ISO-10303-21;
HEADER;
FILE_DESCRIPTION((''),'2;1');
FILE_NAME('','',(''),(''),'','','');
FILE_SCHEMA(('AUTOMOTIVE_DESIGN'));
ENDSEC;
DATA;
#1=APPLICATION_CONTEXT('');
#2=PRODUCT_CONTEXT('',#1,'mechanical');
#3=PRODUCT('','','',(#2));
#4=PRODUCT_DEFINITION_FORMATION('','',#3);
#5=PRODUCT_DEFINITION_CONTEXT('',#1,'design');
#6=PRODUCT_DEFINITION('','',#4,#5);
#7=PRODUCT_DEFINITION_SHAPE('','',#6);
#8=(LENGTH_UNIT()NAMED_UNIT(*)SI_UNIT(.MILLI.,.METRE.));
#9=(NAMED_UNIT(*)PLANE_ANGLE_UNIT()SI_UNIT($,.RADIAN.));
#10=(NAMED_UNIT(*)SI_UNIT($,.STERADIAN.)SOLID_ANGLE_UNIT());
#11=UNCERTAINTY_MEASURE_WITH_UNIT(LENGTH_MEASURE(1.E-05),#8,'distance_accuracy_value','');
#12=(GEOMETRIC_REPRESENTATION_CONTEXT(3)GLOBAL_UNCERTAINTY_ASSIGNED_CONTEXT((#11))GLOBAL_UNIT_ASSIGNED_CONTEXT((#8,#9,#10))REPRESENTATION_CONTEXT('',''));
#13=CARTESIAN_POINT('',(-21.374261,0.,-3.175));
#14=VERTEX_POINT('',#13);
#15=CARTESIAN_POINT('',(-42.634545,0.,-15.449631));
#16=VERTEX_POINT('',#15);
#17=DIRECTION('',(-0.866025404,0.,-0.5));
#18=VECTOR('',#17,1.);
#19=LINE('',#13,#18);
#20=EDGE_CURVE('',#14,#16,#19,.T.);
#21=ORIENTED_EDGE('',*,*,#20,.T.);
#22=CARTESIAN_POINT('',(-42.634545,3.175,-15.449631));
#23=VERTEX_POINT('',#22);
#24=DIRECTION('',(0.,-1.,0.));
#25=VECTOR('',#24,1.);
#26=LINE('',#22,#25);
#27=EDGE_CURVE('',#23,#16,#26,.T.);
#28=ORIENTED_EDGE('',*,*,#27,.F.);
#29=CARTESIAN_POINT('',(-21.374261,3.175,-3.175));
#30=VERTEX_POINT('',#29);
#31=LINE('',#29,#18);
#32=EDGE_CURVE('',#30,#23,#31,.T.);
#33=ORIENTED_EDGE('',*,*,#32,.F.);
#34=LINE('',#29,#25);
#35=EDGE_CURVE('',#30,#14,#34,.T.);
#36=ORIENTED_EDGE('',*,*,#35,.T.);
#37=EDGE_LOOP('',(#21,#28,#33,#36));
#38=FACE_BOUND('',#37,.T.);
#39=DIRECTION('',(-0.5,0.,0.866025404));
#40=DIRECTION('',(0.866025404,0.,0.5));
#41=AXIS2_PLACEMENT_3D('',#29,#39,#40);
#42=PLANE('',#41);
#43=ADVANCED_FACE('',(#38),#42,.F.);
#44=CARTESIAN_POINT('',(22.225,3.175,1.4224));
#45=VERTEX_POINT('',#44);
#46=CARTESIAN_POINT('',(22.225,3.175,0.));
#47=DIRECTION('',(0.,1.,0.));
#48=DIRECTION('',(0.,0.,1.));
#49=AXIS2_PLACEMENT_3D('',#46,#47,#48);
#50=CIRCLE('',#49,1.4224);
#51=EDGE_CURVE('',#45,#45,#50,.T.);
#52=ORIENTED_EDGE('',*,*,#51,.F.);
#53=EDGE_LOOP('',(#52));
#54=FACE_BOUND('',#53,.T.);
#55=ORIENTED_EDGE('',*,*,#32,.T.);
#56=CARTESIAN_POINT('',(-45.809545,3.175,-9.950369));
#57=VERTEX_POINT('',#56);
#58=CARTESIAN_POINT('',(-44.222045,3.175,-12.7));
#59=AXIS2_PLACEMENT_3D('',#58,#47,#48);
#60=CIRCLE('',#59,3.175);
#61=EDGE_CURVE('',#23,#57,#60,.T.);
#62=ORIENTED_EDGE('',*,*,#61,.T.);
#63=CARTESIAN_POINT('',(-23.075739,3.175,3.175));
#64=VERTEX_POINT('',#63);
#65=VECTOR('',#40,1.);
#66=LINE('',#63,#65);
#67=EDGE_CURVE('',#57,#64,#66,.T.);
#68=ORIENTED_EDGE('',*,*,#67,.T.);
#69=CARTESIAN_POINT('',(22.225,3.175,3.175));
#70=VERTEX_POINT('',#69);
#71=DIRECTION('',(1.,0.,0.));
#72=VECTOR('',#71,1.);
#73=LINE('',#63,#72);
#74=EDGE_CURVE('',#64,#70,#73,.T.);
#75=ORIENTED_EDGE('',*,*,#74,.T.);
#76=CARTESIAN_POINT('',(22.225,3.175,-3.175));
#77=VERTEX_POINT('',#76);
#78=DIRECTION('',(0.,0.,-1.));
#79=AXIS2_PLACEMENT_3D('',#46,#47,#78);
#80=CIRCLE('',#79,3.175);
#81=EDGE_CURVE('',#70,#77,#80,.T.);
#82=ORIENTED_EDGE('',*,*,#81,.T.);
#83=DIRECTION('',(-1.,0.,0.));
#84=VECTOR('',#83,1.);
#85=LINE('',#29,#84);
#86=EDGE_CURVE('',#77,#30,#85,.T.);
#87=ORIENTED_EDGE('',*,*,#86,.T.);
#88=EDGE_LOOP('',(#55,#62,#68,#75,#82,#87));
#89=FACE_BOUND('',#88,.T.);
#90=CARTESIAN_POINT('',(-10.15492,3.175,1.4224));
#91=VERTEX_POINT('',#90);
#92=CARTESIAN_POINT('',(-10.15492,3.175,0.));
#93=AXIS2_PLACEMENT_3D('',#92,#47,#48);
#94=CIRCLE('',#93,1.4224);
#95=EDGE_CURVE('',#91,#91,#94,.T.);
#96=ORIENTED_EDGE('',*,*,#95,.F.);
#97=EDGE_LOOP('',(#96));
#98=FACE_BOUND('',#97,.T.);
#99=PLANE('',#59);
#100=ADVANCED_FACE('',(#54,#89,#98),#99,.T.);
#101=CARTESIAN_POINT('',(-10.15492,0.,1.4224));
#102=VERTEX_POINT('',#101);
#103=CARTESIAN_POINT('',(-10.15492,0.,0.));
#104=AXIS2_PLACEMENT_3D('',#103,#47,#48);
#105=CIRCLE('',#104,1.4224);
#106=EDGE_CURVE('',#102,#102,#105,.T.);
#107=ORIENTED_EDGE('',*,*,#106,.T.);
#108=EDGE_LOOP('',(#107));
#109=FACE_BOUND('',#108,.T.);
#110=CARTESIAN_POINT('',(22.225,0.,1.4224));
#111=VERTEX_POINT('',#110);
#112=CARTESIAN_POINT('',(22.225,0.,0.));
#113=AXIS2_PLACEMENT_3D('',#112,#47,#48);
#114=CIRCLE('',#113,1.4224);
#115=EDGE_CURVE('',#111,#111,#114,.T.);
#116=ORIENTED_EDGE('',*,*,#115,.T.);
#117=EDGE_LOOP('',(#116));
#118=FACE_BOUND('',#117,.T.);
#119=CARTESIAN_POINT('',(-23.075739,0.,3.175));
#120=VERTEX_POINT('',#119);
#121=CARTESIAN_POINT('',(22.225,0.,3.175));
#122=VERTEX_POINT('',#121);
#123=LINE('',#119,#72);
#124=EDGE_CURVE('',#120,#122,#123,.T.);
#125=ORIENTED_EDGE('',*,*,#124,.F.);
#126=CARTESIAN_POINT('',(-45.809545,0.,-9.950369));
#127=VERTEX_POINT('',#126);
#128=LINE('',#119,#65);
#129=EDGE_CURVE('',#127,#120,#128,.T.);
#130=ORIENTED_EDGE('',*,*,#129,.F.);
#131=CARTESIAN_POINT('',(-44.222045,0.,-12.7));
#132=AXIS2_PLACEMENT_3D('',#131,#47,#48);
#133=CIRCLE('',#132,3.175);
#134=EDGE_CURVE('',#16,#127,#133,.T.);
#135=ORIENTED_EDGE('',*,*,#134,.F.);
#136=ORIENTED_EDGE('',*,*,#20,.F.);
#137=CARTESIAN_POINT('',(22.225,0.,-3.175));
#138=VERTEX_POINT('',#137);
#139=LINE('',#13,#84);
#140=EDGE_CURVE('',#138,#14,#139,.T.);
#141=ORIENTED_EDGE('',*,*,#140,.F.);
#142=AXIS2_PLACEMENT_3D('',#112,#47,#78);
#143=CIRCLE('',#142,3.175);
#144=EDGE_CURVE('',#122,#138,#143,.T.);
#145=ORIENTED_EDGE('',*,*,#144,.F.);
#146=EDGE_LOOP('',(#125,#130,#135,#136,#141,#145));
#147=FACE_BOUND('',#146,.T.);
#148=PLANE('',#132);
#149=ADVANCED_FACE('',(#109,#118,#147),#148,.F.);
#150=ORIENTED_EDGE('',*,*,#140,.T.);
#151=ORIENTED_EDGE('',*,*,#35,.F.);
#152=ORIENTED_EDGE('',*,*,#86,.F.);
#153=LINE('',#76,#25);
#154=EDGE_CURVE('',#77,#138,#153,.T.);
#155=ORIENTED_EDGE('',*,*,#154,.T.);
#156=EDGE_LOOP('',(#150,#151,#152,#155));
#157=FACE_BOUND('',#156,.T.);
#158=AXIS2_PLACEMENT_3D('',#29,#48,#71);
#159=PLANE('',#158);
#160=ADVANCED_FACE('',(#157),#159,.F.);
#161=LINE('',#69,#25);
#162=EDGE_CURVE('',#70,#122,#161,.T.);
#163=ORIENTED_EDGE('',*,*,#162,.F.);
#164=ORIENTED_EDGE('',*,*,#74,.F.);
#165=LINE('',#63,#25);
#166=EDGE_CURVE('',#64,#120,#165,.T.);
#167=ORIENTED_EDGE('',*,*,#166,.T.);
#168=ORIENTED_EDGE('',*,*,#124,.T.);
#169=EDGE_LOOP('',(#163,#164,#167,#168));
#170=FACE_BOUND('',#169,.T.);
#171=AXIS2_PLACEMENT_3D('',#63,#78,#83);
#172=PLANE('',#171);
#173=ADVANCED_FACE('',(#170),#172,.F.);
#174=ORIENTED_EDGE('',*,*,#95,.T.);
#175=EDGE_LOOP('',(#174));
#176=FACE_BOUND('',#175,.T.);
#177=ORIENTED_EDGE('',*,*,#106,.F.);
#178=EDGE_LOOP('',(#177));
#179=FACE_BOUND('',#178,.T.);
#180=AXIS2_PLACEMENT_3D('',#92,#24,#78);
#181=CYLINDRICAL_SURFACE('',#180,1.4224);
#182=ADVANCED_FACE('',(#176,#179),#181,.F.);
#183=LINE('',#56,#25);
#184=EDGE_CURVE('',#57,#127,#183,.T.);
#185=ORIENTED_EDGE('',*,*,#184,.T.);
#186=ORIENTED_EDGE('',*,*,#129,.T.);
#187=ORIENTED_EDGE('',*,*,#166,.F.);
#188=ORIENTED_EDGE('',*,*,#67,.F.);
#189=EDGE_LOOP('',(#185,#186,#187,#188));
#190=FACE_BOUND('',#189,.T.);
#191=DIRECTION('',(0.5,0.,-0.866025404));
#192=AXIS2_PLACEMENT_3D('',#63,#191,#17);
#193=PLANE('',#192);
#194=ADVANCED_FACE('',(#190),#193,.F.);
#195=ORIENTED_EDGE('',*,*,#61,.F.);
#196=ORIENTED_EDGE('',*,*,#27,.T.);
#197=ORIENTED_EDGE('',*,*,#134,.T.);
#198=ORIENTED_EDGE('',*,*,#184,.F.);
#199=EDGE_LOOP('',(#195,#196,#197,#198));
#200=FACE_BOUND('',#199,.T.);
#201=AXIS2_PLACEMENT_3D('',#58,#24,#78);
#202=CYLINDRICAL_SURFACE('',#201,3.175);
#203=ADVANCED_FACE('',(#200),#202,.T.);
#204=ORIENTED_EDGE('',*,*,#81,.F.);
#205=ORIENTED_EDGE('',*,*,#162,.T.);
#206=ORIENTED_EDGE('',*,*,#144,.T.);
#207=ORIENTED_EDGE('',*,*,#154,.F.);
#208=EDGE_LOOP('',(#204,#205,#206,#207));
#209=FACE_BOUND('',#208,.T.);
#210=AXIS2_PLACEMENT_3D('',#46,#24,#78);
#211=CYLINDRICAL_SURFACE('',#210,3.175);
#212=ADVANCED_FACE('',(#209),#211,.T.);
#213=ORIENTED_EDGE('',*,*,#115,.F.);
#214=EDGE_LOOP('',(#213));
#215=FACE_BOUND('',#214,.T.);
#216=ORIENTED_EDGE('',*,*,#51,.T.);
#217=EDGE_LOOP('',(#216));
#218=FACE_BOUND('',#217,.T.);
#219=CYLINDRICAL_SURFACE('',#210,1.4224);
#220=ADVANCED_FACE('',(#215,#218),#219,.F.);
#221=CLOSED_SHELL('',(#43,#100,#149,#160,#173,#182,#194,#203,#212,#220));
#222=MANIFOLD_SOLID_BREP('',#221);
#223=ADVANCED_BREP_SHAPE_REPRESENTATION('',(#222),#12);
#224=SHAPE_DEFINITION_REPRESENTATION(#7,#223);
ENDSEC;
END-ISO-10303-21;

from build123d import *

# Parameters (mm, degrees)
SKETCH1_R           = 1.4224
BOSS_EXTRUDE1_DEPTH = 3.175


with BuildPart() as part:
    # Sketch1 → Boss-Extrude1 (new body)
    with BuildSketch(Plane(origin=(0, 0, 0), x_dir=(1, 0, 0), z_dir=(0, 1, 0))):
        with BuildLine():
            Line((-21.374261314, 3.175), (22.225, 3.175))
            ThreePointArc((22.225, 3.175), (25.4, 0), (22.225, -3.175))
            Line((22.225, -3.175), (-23.075738686, -3.175))
            Line((-23.075738686, -3.175), (-45.809545256, 9.950369343))
            ThreePointArc((-45.809545256, 9.950369343), (-46.971675913, 14.2875), (-42.634545256, 15.449630657))
            Line((-42.634545256, 15.449630657), (-21.374261314, 3.175))
        make_face()
        with Locations(Location((22.225, 0, 0), (0, 0, 270))):
            Circle(SKETCH1_R, mode=Mode.SUBTRACT)
        with Locations(Location((-10.15492, 0, 0), (0, 0, 270))):
            Circle(SKETCH1_R, mode=Mode.SUBTRACT)
    extrude(amount=BOSS_EXTRUDE1_DEPTH)


solid = part.part
